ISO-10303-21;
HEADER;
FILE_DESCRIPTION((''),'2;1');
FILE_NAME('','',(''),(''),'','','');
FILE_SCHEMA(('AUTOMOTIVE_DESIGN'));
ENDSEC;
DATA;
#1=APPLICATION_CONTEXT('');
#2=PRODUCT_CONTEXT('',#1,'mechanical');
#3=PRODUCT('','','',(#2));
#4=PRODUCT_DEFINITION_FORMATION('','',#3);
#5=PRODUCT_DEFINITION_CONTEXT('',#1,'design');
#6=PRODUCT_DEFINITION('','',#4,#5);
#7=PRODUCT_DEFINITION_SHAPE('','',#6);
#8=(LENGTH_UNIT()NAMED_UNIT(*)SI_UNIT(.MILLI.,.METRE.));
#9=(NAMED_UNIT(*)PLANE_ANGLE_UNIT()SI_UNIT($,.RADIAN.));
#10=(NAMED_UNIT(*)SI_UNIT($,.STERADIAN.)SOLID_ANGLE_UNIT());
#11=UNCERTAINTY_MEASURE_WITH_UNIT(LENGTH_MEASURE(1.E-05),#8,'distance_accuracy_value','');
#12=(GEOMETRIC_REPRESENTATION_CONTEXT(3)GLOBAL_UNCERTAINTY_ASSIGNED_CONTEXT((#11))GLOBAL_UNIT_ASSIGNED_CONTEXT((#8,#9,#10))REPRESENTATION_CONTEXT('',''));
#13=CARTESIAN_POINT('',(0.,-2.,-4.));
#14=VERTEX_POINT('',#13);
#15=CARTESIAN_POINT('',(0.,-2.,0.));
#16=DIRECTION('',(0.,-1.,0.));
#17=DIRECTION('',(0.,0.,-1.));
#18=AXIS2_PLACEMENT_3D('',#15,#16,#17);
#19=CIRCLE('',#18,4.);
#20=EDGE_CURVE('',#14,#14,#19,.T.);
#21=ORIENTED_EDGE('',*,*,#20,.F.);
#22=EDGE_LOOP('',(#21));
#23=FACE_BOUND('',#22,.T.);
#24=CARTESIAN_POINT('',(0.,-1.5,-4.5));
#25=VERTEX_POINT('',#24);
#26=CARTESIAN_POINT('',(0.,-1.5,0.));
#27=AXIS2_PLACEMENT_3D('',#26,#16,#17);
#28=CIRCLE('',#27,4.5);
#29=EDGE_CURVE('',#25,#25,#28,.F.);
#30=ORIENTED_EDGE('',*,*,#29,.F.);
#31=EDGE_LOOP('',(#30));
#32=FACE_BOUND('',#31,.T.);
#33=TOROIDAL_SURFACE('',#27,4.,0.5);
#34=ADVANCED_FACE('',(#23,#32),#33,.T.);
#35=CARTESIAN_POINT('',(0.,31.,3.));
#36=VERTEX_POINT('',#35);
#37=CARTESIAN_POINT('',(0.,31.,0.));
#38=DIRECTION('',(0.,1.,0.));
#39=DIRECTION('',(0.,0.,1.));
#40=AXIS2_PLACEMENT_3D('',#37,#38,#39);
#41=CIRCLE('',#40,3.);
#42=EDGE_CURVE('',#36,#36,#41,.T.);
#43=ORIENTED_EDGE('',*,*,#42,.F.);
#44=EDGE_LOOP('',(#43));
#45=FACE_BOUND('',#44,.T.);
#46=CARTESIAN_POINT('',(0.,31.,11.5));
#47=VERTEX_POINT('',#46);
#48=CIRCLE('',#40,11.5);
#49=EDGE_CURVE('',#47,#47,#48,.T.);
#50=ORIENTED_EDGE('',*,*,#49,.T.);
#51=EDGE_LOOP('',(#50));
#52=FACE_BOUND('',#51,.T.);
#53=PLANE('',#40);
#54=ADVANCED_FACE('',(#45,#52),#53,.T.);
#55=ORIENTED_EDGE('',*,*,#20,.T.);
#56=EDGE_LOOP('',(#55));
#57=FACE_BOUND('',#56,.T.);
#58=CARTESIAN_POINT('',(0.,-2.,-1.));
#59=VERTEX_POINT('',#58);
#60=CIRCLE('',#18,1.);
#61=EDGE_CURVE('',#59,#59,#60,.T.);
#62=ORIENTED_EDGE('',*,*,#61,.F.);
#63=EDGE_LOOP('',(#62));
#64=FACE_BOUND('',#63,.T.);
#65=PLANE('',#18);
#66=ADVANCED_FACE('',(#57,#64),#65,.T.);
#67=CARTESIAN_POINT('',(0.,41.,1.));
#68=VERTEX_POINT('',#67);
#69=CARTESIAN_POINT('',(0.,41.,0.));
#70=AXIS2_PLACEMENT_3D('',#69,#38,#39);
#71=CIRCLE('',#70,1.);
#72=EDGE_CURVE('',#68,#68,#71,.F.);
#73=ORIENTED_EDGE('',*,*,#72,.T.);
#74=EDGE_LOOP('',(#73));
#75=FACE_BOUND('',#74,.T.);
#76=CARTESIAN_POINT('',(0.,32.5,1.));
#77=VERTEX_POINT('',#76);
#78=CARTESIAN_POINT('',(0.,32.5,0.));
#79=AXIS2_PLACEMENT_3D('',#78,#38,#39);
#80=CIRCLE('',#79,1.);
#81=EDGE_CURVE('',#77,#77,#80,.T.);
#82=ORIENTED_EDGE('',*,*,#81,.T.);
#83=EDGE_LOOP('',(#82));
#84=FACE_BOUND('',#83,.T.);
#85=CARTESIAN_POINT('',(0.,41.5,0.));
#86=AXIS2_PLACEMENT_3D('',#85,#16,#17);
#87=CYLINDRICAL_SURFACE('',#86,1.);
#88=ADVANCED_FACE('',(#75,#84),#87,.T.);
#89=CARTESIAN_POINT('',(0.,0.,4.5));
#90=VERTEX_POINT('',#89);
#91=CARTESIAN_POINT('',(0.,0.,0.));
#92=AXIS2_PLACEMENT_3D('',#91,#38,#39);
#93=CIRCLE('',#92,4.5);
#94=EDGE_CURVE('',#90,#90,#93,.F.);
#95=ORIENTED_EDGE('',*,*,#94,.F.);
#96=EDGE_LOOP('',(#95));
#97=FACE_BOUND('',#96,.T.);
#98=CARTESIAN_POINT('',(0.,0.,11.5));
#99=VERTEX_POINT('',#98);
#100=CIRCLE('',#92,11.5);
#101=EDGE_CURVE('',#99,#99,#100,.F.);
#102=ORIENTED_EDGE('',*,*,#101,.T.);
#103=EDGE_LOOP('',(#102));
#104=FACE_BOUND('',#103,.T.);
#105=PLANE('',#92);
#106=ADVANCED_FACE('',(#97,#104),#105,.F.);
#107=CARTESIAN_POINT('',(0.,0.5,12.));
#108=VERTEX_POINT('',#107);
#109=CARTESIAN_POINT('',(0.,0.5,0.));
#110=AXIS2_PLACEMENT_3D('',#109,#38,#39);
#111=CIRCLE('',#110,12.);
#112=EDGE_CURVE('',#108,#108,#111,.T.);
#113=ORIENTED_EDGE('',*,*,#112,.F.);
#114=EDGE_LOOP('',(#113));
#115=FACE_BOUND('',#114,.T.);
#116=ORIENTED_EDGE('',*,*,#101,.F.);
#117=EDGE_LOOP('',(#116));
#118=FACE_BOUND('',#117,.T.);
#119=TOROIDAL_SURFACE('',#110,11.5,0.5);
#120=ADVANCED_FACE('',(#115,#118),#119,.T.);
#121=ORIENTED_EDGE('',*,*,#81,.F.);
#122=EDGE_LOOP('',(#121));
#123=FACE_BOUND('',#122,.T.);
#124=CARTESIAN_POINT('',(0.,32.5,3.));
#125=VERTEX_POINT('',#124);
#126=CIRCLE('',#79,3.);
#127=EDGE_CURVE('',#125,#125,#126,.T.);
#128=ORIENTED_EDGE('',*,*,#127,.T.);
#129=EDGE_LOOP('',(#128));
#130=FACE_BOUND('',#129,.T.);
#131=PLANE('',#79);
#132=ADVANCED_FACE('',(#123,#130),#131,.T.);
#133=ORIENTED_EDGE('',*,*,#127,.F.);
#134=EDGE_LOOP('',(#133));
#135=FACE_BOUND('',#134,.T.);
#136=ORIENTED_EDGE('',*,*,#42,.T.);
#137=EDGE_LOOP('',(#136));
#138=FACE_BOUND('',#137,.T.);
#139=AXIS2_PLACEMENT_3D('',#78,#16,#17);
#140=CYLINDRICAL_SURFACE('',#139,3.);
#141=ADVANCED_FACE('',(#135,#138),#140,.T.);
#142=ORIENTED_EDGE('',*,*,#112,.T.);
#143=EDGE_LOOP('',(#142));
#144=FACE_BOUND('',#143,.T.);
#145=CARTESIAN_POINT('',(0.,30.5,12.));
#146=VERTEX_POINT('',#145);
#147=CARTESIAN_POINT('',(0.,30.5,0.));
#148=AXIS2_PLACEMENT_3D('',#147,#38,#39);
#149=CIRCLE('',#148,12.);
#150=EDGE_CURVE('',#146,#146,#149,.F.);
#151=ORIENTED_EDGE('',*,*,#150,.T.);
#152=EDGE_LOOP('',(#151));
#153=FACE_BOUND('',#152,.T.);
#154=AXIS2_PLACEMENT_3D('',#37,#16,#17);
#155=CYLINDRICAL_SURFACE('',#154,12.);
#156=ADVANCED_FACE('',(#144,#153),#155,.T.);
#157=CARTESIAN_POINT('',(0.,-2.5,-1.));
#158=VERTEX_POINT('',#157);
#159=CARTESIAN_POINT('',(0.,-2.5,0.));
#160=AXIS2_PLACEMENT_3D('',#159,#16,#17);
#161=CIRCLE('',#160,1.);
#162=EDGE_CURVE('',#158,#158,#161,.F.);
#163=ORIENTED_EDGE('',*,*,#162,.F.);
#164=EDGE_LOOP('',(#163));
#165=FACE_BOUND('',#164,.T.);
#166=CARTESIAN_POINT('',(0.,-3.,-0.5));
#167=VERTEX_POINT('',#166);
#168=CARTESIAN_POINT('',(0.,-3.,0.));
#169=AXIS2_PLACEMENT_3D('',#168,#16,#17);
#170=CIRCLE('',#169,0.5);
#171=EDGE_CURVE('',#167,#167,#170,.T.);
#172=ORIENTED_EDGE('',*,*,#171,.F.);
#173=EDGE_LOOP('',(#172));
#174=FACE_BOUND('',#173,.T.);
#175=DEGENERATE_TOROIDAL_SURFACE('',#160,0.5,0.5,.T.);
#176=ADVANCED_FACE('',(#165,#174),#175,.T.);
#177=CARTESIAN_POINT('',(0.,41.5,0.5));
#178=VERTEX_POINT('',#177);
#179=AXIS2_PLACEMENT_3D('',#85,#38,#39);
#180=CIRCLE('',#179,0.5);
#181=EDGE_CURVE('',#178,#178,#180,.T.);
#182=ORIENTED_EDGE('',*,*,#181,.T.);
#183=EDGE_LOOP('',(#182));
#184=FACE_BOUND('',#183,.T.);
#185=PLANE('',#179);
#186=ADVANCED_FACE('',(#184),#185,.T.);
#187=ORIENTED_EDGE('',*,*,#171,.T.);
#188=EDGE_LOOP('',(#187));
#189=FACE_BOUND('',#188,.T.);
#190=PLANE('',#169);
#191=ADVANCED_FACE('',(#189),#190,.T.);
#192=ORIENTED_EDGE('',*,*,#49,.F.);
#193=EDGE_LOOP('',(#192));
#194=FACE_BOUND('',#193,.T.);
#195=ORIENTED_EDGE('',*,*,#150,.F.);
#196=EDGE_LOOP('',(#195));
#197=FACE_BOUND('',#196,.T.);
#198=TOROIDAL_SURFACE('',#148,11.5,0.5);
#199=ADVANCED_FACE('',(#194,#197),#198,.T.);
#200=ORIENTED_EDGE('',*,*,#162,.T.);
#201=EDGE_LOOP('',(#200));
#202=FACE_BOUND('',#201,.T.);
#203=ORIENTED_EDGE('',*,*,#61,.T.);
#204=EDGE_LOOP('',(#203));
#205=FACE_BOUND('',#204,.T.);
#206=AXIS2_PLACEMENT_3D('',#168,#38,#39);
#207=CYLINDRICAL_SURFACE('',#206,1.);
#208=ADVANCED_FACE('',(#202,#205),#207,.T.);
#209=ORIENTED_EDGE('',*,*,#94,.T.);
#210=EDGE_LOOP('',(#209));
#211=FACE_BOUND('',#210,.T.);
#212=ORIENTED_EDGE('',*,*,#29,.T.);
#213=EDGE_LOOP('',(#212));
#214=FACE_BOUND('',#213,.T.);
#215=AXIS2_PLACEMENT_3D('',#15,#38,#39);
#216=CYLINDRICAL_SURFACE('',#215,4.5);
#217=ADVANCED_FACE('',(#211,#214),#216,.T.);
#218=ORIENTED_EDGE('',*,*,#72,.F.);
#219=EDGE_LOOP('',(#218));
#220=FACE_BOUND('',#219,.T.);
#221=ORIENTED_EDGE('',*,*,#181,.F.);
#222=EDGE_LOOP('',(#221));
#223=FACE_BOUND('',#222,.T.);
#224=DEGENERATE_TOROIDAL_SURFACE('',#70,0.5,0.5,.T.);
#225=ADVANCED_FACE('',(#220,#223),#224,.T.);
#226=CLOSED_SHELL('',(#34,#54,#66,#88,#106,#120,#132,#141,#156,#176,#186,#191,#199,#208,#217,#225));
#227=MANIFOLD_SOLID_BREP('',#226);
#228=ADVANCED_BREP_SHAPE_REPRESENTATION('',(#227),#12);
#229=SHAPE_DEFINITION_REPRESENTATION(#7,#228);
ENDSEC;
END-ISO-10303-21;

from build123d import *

# Parameters (mm, degrees)
SKETCH1_R                = 12
MOTOR_HOUSING_DEPTH      = 31
SKETCH2_R                = 3
MOTOR_FRONT_NIPPLE_DEPTH = 1.5
SKETCH4_R                = 1
FRONT_AXLE_DEPTH         = 9
FILLET1_R                = 0.5
FILLET2_R                = 0.5
SKETCH5_R                = 4.5
BOSS_EXTRUDE1_DEPTH      = 2
BOSS_EXTRUDE2_START      = 1
SKETCH6_R                = 1
BOSS_EXTRUDE2_DEPTH      = 1
FILLET3_R                = 0.5


with BuildPart() as part:
    # Sketch1 → Motor housing (new body)
    with BuildSketch(Plane(origin=(0, 0, 0), x_dir=(1, 0, 0), z_dir=(0, 1, 0))):
        with Locations(Location((0, 0, 0), (0, 0, 270))):
            Circle(SKETCH1_R)
    extrude(amount=MOTOR_HOUSING_DEPTH)

    # Sketch2 → Motor front nipple (add)
    with BuildSketch(Plane(origin=(0, 31, 0), x_dir=(1, 0, 0), z_dir=(0, 1, 0))):
        with Locations(Location((0, 0, 0), (0, 0, 270))):
            Circle(SKETCH2_R)
    extrude(amount=MOTOR_FRONT_NIPPLE_DEPTH)

    # Sketch4 → Front axle (add)
    with BuildSketch(Plane(origin=(0, 32.5, 0), x_dir=(1, 0, 0), z_dir=(0, 1, 0))):
        with Locations(Location((0, 0, 0), (0, 0, 270))):
            Circle(SKETCH4_R)
    extrude(amount=FRONT_AXLE_DEPTH)

    # Fillet1
    fillet1_edges = [part.edges().sort_by_distance(p)[0] for p in [
        (0, 41.5, -1),
    ]]
    fillet(fillet1_edges, radius=FILLET1_R)

    # Fillet2
    fillet2_edges = [part.edges().sort_by_distance(p)[0] for p in [
        (0, 0, -12),
        (0, 31, -12),
    ]]
    fillet(fillet2_edges, radius=FILLET2_R)

    # Sketch5 → Boss-Extrude1 (add)
    with BuildSketch(Plane.XZ):
        with Locations(Location((0, 0, 0), (0, 0, 90))):
            Circle(SKETCH5_R)
    extrude(amount=BOSS_EXTRUDE1_DEPTH)

    # Sketch6 → Boss-Extrude2 (add)
    with BuildSketch(Plane.XZ.offset(2).offset(BOSS_EXTRUDE2_START)):
        with Locations(Location((0, 0, 0), (0, 0, 90))):
            Circle(SKETCH6_R)
    extrude(amount=-BOSS_EXTRUDE2_DEPTH)

    # Fillet3
    fillet3_edges = [part.edges().sort_by_distance(p)[0] for p in [
        (0, -2, -4.5),
        (0, -3, -1),
    ]]
    fillet(fillet3_edges, radius=FILLET3_R)


solid = part.part
